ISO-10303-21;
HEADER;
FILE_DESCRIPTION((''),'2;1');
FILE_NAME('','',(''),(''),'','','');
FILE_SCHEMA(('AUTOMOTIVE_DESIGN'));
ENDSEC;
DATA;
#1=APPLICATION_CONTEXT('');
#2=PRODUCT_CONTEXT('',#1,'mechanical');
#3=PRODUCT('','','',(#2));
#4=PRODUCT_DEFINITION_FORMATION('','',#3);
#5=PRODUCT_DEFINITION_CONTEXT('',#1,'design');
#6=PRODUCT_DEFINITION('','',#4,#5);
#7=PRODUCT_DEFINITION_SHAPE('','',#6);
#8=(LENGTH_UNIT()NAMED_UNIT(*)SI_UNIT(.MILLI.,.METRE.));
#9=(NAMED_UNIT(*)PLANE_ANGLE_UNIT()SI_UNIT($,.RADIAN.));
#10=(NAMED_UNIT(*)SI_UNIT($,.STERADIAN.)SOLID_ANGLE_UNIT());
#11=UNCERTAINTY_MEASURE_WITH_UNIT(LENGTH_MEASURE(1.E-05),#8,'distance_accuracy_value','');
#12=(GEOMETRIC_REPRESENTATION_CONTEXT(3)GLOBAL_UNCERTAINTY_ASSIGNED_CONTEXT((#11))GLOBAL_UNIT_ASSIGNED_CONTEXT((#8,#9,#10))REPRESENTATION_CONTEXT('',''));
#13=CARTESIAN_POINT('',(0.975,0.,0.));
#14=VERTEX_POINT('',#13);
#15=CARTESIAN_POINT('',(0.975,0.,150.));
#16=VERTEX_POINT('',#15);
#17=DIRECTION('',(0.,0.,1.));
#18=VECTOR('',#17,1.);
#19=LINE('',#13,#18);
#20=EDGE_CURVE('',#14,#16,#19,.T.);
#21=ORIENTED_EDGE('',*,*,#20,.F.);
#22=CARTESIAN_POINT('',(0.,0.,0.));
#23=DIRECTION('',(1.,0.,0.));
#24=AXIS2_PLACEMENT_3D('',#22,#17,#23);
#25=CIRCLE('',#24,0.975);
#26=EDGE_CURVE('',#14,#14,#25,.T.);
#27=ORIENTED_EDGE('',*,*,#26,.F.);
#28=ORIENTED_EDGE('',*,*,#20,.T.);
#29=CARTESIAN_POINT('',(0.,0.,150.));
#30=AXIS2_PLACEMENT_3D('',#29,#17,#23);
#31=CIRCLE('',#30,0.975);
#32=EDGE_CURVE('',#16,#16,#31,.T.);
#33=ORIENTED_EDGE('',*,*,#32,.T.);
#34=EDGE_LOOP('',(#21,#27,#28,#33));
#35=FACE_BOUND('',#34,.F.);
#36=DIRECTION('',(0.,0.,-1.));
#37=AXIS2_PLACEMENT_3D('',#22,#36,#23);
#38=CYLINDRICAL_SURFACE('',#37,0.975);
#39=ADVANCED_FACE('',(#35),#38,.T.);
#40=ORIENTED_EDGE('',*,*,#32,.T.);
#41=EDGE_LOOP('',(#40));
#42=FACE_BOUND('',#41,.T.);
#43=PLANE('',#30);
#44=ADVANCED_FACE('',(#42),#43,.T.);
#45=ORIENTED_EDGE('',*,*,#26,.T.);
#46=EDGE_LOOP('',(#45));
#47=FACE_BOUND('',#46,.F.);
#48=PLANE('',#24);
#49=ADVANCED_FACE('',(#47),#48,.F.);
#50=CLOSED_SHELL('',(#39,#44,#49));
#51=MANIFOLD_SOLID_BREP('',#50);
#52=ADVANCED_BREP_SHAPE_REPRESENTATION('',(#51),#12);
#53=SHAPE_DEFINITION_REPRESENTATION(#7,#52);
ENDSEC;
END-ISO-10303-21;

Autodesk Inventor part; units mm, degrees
ref_plane "YZ Plane" through (0, 0, 0) normal (1, 0, 0) x (0, 1, 0)
ref_plane "XZ Plane" through (0, 0, 0) normal (0, 1, 0) x (-1, 0, 0)
ref_plane "XY Plane" through (0, 0, 0) normal (0, 0, 1) x (1, 0, 0)
sketch "Skizze1" plane through (0, 0, 0) normal (0, 0, 1) x (1, 0, 0)
  circle A0 centre (0, 0) radius 0.975
  dimension "d0" = 1.95
extrude "Extrusion1" add sketch "Skizze1" along normal blind 150
thread "Gewinde1" size "M2.5x0.45" class "6g" standard "ANSI Metric M Profile" full length
properties part number "Rod M2.5"
